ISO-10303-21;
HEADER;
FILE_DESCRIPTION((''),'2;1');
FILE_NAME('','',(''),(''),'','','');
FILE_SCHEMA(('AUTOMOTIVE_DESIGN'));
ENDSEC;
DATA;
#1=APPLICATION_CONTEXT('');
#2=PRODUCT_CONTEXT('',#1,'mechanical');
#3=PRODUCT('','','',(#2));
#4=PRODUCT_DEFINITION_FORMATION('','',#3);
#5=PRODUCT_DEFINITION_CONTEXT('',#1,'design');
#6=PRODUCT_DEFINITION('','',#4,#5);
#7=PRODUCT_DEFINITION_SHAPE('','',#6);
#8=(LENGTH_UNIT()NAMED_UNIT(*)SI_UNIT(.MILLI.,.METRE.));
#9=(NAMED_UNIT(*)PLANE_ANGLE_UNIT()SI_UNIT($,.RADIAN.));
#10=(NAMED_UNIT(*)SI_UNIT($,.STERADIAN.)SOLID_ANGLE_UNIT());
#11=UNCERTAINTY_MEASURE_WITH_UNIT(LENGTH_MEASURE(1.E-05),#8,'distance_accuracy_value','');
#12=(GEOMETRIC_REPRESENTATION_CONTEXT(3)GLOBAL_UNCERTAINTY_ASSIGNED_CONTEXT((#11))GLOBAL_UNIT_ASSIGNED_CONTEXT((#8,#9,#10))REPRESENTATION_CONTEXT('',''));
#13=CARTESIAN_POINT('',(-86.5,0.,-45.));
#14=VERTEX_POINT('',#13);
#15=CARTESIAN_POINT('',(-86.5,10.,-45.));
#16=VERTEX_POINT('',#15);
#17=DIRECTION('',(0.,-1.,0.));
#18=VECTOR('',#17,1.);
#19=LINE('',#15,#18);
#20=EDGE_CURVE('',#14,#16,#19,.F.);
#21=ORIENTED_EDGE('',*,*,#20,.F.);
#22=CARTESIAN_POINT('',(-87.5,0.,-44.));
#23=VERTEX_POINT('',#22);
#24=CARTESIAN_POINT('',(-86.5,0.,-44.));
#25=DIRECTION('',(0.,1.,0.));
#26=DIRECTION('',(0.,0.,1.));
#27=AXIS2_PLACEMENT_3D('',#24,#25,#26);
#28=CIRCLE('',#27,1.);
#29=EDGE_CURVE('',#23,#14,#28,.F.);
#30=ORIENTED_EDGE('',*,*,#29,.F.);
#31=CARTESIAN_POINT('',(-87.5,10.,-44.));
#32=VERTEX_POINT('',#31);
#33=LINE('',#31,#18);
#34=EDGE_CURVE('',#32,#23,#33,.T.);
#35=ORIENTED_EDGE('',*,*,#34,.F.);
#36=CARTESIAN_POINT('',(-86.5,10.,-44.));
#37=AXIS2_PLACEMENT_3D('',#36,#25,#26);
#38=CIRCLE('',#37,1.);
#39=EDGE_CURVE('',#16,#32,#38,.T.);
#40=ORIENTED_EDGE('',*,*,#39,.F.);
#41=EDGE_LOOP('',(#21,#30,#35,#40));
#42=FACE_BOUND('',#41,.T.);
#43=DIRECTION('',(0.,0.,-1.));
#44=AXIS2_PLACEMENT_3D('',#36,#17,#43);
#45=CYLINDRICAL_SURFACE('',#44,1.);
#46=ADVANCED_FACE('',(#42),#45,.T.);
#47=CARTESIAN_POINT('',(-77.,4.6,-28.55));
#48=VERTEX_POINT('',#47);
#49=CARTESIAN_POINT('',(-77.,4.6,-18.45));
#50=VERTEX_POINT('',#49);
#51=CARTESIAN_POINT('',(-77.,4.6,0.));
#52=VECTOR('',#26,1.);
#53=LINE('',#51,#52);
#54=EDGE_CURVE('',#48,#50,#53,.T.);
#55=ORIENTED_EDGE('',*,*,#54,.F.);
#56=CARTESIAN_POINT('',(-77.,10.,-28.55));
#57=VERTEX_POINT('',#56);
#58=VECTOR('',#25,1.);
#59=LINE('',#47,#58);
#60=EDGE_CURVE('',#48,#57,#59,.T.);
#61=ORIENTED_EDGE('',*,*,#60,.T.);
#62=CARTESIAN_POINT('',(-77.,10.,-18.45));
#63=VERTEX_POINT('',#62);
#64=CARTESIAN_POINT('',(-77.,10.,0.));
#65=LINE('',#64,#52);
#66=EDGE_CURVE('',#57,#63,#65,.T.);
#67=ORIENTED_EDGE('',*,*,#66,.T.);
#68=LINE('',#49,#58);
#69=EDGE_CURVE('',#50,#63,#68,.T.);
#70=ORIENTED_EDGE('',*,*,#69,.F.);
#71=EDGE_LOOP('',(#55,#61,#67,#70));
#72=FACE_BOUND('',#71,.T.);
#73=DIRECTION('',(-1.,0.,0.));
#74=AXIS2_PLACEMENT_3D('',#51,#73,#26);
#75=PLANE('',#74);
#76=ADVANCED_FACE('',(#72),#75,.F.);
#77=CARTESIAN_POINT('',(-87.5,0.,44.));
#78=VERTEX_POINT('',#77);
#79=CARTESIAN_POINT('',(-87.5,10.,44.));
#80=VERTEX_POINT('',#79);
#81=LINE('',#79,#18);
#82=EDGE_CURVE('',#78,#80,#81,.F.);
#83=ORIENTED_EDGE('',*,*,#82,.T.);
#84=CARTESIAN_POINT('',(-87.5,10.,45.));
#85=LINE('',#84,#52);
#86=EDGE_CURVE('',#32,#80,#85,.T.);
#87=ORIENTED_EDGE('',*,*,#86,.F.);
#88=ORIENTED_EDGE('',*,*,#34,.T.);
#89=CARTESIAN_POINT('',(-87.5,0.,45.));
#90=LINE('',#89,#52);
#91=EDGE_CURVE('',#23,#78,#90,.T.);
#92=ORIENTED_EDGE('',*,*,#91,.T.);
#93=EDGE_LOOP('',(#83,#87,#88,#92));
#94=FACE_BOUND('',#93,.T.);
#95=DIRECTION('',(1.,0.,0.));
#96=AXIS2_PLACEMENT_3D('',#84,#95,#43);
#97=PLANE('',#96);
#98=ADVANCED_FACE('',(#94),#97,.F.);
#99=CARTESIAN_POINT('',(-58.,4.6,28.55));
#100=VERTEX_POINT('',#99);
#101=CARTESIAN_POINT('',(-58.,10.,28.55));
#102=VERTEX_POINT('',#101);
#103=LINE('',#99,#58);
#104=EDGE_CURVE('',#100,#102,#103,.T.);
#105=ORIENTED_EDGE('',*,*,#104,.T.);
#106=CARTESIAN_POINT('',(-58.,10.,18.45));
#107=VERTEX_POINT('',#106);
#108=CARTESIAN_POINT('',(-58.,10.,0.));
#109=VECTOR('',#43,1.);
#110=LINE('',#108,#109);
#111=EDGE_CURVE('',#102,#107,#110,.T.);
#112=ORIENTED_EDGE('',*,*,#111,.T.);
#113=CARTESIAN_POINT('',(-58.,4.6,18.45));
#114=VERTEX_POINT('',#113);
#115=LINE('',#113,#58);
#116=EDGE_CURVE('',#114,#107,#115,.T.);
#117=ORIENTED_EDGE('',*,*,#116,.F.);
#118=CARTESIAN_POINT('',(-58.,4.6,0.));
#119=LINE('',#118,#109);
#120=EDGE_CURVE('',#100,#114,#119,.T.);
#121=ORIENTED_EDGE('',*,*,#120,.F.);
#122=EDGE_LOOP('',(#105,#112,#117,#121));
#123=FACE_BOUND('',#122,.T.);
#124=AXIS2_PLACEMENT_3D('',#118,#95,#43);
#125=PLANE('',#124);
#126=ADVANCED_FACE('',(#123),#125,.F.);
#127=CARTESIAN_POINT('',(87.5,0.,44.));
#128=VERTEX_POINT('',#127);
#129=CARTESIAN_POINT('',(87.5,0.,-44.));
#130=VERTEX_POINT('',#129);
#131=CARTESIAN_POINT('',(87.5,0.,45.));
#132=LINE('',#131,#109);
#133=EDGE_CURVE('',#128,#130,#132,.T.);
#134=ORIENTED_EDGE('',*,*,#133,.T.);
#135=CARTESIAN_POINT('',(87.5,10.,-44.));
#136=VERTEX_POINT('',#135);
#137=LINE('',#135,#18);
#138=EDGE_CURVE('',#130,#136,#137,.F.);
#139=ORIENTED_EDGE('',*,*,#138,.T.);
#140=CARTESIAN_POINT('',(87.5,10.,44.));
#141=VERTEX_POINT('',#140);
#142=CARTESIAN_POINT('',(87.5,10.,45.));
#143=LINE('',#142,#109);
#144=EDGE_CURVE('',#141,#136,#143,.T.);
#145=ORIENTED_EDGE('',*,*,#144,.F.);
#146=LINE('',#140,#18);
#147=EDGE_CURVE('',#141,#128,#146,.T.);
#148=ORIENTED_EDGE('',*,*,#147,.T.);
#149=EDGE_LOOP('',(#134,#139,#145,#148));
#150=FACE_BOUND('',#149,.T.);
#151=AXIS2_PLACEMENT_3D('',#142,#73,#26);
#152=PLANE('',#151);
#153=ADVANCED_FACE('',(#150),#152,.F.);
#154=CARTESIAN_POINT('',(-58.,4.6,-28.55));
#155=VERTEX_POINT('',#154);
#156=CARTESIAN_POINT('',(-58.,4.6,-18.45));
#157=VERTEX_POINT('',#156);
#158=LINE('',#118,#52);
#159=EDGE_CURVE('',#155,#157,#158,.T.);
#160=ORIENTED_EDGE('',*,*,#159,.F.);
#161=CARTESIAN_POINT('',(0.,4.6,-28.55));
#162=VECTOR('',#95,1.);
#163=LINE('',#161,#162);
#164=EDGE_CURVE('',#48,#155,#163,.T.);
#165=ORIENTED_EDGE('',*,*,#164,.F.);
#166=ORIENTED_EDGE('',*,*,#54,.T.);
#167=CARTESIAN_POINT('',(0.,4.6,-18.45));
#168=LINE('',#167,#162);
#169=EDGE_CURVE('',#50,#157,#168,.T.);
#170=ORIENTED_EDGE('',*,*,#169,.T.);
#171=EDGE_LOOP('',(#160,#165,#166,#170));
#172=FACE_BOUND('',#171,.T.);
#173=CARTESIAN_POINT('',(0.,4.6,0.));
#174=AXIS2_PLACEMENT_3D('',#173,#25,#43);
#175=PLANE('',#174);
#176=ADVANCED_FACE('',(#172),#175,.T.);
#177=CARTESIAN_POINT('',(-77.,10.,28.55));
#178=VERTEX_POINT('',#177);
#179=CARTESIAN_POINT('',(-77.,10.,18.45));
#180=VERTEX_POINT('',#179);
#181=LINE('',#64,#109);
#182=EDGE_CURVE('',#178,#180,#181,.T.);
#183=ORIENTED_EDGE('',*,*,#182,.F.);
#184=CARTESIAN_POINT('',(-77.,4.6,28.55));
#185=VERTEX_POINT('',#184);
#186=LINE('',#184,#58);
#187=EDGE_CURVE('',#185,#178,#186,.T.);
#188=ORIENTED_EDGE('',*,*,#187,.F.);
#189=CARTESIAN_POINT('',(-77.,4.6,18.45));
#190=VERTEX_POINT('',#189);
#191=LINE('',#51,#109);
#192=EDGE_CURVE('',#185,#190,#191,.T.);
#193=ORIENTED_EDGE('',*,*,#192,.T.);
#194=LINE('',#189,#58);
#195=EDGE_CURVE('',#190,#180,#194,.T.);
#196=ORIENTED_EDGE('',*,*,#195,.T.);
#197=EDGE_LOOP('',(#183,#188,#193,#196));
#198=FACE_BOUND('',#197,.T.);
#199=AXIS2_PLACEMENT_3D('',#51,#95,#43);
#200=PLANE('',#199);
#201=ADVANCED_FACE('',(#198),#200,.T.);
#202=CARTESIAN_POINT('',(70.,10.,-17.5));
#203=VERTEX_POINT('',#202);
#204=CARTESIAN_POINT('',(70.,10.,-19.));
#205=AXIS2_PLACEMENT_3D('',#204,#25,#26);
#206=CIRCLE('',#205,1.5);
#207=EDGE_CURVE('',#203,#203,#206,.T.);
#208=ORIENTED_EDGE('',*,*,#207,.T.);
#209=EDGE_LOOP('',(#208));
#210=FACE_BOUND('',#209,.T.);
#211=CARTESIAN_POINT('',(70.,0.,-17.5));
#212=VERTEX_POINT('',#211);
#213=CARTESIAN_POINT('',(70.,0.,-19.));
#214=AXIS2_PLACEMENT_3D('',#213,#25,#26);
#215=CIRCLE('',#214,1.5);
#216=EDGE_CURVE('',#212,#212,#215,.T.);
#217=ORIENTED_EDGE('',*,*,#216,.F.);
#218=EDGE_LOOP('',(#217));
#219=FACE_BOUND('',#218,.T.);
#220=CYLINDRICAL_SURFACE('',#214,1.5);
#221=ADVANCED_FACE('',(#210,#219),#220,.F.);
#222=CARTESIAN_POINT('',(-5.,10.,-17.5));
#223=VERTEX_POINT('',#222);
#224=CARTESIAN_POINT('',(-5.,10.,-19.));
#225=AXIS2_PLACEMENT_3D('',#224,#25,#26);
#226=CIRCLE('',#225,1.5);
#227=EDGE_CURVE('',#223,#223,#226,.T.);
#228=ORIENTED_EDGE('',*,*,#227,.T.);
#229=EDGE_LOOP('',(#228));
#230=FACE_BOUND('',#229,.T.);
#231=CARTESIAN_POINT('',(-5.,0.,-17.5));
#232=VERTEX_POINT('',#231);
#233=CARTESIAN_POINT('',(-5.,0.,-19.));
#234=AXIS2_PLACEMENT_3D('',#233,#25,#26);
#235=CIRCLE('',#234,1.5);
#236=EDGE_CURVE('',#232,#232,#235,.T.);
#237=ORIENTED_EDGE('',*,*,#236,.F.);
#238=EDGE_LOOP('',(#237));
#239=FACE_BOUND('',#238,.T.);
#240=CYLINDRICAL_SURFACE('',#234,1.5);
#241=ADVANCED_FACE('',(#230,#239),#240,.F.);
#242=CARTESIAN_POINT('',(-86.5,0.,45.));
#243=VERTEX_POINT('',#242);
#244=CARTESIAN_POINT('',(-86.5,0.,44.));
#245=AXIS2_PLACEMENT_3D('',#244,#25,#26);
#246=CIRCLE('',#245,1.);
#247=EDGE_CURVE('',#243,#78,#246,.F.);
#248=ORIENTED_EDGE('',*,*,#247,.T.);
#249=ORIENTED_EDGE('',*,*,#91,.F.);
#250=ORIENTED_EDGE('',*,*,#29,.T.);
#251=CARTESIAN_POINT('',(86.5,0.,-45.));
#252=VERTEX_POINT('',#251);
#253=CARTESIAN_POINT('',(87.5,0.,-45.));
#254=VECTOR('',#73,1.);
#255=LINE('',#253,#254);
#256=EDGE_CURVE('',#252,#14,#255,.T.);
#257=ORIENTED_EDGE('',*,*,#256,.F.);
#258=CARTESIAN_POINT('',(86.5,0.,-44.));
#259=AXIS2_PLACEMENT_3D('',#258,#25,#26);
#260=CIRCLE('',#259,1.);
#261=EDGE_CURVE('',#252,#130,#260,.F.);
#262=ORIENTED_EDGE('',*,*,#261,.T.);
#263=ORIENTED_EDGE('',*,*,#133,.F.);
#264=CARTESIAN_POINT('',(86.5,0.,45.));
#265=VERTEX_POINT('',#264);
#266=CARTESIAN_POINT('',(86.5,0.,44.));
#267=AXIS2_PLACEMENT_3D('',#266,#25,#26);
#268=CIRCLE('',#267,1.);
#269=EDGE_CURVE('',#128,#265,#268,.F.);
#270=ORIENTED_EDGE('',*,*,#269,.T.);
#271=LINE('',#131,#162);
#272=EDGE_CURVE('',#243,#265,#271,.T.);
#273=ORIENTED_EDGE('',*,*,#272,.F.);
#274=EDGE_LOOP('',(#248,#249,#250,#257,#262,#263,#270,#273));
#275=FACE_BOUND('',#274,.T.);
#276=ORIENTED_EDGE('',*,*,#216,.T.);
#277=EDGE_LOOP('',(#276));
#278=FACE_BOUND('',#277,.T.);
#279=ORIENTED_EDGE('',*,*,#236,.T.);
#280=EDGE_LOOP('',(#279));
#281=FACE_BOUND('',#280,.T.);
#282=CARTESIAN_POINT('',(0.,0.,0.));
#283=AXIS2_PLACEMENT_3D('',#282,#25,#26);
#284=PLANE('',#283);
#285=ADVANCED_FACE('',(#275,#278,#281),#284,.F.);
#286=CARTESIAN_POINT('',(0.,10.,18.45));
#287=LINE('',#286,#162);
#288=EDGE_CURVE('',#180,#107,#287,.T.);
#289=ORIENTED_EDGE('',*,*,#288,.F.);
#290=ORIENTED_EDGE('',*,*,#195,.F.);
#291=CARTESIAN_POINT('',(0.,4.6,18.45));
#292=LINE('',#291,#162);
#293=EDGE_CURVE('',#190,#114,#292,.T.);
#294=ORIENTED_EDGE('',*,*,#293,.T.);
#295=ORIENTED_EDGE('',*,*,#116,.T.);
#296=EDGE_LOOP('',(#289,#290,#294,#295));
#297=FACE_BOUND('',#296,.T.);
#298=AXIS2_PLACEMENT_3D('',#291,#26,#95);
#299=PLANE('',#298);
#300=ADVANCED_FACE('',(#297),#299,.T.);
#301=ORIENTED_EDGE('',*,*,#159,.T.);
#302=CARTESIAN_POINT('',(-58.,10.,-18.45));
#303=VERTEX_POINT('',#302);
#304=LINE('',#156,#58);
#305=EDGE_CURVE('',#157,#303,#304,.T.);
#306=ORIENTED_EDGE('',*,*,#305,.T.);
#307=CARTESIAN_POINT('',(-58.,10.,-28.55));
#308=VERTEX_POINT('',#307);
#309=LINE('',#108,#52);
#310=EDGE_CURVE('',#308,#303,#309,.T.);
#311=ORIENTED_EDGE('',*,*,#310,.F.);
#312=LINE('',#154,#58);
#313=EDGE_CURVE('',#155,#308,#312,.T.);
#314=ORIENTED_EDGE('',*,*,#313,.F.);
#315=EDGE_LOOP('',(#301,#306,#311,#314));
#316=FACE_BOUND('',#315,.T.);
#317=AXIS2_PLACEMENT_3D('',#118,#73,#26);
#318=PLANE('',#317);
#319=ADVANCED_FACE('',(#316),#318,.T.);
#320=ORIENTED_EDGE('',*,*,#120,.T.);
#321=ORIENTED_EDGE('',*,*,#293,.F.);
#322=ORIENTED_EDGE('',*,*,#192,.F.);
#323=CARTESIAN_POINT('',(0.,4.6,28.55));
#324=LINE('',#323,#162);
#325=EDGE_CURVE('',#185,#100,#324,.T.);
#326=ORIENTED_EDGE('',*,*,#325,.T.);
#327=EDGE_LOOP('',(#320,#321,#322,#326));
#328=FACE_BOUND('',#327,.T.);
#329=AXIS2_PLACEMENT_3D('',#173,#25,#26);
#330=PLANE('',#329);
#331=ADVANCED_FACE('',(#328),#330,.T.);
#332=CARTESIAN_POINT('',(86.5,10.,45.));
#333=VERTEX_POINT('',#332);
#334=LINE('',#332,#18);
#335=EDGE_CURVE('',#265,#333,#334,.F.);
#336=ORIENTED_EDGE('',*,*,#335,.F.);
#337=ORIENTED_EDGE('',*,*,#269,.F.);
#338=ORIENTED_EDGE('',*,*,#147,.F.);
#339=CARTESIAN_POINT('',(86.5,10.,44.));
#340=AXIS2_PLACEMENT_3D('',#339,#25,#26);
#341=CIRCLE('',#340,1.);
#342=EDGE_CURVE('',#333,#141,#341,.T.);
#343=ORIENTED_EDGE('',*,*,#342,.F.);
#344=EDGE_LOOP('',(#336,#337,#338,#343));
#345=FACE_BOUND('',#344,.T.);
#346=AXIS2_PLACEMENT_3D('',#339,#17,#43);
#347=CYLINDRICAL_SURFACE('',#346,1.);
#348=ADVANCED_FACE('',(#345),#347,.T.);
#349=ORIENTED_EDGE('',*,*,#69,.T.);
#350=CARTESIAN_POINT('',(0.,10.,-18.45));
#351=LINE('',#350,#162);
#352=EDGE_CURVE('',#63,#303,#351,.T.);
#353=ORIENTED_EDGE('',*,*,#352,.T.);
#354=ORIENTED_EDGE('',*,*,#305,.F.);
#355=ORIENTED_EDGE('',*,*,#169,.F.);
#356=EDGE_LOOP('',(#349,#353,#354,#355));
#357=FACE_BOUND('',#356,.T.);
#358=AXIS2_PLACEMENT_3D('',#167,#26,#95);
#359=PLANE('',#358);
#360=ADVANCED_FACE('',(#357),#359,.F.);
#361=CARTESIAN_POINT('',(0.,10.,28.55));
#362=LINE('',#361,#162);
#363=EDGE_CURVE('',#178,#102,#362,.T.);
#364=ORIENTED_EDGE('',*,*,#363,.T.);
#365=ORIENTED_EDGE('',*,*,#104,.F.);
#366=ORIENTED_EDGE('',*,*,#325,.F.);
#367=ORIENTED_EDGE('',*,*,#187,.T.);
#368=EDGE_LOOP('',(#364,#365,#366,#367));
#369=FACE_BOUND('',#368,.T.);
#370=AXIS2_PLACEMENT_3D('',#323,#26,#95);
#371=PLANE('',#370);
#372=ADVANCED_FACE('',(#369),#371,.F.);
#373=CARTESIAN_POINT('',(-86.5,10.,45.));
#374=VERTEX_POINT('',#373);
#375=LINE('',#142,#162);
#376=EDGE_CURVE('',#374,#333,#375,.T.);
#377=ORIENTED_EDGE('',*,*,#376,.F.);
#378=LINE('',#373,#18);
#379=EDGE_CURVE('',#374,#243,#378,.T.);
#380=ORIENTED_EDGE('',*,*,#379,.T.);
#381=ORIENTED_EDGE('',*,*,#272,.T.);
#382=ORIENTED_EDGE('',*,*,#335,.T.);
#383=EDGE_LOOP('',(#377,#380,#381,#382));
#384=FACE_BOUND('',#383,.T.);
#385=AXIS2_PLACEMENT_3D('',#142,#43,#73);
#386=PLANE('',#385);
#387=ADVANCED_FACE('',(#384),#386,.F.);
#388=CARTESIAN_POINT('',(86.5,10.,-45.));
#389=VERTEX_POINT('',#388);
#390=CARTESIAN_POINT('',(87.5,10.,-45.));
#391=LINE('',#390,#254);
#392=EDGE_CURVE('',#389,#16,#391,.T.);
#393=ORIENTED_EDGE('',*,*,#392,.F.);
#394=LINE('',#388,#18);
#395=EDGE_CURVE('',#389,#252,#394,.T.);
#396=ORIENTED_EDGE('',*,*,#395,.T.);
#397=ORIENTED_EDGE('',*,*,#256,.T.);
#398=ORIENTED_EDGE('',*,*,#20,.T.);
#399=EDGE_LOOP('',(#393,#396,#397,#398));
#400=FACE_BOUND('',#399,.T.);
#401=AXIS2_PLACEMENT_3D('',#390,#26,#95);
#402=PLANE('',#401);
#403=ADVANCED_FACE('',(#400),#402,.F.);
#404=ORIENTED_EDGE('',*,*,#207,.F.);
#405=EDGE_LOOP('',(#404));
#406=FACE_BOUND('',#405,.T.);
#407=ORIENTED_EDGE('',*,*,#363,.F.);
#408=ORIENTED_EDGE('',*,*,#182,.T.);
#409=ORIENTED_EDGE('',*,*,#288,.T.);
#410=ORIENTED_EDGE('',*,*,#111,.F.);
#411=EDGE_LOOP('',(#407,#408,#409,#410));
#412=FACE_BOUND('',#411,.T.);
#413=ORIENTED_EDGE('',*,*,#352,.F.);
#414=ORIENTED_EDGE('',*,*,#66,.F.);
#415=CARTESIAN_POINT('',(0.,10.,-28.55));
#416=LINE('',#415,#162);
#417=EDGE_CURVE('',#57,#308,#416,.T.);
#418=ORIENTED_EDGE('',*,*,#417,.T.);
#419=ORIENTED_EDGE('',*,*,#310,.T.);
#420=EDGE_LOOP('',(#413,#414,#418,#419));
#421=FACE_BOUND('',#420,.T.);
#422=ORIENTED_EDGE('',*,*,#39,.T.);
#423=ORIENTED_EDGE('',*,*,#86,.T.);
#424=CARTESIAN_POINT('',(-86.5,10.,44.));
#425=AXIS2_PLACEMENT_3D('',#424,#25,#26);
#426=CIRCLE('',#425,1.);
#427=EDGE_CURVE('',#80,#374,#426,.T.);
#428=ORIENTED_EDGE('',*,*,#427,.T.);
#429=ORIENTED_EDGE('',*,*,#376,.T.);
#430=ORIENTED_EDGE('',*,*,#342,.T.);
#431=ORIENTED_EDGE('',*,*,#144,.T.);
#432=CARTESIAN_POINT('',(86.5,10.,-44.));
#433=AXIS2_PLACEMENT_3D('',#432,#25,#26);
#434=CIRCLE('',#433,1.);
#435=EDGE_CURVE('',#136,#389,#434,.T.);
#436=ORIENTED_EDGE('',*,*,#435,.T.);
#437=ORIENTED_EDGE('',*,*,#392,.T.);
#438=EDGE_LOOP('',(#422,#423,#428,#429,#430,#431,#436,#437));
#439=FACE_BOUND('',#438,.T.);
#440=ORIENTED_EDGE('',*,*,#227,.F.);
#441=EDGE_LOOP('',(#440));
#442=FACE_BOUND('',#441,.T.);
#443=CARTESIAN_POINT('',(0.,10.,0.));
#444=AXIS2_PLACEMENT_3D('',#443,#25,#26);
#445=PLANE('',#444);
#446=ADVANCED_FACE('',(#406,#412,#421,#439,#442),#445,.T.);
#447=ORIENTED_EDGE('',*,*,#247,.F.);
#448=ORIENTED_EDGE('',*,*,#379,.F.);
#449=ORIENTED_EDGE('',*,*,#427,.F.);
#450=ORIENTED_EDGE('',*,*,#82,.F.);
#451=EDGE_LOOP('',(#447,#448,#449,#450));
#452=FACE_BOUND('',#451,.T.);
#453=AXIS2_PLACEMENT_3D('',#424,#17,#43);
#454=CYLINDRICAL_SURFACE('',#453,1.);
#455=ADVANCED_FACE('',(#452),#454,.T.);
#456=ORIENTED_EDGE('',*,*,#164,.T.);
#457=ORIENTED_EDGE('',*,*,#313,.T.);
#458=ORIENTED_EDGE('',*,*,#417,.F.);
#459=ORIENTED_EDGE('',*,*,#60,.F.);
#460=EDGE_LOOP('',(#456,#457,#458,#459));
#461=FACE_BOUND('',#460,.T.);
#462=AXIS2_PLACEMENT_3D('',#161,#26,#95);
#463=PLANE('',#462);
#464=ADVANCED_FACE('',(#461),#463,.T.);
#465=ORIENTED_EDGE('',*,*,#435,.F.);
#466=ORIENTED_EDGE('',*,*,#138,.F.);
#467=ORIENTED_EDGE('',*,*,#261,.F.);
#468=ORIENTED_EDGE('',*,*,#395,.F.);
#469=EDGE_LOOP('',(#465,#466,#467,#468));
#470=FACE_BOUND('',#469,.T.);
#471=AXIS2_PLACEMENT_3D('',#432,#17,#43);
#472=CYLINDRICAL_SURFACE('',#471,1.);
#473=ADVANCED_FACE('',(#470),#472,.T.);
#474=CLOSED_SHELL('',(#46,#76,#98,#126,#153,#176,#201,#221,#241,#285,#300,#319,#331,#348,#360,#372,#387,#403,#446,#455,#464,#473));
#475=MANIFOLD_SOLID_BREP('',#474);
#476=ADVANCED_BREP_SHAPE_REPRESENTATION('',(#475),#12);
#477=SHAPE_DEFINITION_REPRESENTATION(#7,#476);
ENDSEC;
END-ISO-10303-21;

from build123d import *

# Parameters (mm, degrees)
SKETCH1_W           = 175
SKETCH1_H           = 90
BOSS_EXTRUDE1_DEPTH = 10
SKETCH2_W           = 19
SKETCH2_H           = 10.1
CUT_EXTRUDE1_DEPTH  = 5.4
SKETCH2_8_R         = 1.5
CUT_EXTRUDE3_DEPTH  = 11
FILLET1_R           = 1


with BuildPart() as part:
    # Sketch1 → Boss-Extrude1 (new body)
    with BuildSketch(Plane(origin=(0, 0, 0), x_dir=(1, 0, 0), z_dir=(0, 1, 0))):
        Rectangle(SKETCH1_W, SKETCH1_H)
    extrude(amount=BOSS_EXTRUDE1_DEPTH)

    # Sketch2 → Cut-Extrude1 (cut)
    with BuildSketch(Plane(origin=(0, 10, 0), x_dir=(1, 0, 0), z_dir=(0, 1, 0))):
        with Locations((-67.5, -23.5)):
            Rectangle(SKETCH2_W, SKETCH2_H)
    cut_extrude1 = extrude(amount=-CUT_EXTRUDE1_DEPTH, mode=Mode.SUBTRACT)

    # Mirror1: Cut-Extrude1 across plane
    add(cut_extrude1.mirror(Plane.XY), mode=Mode.SUBTRACT)

    # Sketch2<8> → Cut-Extrude3 (cut, through all)
    with BuildSketch(Plane(origin=(0, 10, 0), x_dir=(1, 0, 0), z_dir=(0, 1, 0))):
        with Locations((-5, 19)):
            Circle(SKETCH2_8_R)
        with Locations((70, 19)):
            Circle(SKETCH2_8_R)
    extrude(amount=-CUT_EXTRUDE3_DEPTH, mode=Mode.SUBTRACT)

    # Fillet1
    fillet1_edges = [part.edges().sort_by_distance(p)[0] for p in [
        (-87.5, 5, -45),
        (87.5, 5, -45),
        (87.5, 5, 45),
        (-87.5, 5, 45),
    ]]
    fillet(fillet1_edges, radius=FILLET1_R)


solid = part.part
